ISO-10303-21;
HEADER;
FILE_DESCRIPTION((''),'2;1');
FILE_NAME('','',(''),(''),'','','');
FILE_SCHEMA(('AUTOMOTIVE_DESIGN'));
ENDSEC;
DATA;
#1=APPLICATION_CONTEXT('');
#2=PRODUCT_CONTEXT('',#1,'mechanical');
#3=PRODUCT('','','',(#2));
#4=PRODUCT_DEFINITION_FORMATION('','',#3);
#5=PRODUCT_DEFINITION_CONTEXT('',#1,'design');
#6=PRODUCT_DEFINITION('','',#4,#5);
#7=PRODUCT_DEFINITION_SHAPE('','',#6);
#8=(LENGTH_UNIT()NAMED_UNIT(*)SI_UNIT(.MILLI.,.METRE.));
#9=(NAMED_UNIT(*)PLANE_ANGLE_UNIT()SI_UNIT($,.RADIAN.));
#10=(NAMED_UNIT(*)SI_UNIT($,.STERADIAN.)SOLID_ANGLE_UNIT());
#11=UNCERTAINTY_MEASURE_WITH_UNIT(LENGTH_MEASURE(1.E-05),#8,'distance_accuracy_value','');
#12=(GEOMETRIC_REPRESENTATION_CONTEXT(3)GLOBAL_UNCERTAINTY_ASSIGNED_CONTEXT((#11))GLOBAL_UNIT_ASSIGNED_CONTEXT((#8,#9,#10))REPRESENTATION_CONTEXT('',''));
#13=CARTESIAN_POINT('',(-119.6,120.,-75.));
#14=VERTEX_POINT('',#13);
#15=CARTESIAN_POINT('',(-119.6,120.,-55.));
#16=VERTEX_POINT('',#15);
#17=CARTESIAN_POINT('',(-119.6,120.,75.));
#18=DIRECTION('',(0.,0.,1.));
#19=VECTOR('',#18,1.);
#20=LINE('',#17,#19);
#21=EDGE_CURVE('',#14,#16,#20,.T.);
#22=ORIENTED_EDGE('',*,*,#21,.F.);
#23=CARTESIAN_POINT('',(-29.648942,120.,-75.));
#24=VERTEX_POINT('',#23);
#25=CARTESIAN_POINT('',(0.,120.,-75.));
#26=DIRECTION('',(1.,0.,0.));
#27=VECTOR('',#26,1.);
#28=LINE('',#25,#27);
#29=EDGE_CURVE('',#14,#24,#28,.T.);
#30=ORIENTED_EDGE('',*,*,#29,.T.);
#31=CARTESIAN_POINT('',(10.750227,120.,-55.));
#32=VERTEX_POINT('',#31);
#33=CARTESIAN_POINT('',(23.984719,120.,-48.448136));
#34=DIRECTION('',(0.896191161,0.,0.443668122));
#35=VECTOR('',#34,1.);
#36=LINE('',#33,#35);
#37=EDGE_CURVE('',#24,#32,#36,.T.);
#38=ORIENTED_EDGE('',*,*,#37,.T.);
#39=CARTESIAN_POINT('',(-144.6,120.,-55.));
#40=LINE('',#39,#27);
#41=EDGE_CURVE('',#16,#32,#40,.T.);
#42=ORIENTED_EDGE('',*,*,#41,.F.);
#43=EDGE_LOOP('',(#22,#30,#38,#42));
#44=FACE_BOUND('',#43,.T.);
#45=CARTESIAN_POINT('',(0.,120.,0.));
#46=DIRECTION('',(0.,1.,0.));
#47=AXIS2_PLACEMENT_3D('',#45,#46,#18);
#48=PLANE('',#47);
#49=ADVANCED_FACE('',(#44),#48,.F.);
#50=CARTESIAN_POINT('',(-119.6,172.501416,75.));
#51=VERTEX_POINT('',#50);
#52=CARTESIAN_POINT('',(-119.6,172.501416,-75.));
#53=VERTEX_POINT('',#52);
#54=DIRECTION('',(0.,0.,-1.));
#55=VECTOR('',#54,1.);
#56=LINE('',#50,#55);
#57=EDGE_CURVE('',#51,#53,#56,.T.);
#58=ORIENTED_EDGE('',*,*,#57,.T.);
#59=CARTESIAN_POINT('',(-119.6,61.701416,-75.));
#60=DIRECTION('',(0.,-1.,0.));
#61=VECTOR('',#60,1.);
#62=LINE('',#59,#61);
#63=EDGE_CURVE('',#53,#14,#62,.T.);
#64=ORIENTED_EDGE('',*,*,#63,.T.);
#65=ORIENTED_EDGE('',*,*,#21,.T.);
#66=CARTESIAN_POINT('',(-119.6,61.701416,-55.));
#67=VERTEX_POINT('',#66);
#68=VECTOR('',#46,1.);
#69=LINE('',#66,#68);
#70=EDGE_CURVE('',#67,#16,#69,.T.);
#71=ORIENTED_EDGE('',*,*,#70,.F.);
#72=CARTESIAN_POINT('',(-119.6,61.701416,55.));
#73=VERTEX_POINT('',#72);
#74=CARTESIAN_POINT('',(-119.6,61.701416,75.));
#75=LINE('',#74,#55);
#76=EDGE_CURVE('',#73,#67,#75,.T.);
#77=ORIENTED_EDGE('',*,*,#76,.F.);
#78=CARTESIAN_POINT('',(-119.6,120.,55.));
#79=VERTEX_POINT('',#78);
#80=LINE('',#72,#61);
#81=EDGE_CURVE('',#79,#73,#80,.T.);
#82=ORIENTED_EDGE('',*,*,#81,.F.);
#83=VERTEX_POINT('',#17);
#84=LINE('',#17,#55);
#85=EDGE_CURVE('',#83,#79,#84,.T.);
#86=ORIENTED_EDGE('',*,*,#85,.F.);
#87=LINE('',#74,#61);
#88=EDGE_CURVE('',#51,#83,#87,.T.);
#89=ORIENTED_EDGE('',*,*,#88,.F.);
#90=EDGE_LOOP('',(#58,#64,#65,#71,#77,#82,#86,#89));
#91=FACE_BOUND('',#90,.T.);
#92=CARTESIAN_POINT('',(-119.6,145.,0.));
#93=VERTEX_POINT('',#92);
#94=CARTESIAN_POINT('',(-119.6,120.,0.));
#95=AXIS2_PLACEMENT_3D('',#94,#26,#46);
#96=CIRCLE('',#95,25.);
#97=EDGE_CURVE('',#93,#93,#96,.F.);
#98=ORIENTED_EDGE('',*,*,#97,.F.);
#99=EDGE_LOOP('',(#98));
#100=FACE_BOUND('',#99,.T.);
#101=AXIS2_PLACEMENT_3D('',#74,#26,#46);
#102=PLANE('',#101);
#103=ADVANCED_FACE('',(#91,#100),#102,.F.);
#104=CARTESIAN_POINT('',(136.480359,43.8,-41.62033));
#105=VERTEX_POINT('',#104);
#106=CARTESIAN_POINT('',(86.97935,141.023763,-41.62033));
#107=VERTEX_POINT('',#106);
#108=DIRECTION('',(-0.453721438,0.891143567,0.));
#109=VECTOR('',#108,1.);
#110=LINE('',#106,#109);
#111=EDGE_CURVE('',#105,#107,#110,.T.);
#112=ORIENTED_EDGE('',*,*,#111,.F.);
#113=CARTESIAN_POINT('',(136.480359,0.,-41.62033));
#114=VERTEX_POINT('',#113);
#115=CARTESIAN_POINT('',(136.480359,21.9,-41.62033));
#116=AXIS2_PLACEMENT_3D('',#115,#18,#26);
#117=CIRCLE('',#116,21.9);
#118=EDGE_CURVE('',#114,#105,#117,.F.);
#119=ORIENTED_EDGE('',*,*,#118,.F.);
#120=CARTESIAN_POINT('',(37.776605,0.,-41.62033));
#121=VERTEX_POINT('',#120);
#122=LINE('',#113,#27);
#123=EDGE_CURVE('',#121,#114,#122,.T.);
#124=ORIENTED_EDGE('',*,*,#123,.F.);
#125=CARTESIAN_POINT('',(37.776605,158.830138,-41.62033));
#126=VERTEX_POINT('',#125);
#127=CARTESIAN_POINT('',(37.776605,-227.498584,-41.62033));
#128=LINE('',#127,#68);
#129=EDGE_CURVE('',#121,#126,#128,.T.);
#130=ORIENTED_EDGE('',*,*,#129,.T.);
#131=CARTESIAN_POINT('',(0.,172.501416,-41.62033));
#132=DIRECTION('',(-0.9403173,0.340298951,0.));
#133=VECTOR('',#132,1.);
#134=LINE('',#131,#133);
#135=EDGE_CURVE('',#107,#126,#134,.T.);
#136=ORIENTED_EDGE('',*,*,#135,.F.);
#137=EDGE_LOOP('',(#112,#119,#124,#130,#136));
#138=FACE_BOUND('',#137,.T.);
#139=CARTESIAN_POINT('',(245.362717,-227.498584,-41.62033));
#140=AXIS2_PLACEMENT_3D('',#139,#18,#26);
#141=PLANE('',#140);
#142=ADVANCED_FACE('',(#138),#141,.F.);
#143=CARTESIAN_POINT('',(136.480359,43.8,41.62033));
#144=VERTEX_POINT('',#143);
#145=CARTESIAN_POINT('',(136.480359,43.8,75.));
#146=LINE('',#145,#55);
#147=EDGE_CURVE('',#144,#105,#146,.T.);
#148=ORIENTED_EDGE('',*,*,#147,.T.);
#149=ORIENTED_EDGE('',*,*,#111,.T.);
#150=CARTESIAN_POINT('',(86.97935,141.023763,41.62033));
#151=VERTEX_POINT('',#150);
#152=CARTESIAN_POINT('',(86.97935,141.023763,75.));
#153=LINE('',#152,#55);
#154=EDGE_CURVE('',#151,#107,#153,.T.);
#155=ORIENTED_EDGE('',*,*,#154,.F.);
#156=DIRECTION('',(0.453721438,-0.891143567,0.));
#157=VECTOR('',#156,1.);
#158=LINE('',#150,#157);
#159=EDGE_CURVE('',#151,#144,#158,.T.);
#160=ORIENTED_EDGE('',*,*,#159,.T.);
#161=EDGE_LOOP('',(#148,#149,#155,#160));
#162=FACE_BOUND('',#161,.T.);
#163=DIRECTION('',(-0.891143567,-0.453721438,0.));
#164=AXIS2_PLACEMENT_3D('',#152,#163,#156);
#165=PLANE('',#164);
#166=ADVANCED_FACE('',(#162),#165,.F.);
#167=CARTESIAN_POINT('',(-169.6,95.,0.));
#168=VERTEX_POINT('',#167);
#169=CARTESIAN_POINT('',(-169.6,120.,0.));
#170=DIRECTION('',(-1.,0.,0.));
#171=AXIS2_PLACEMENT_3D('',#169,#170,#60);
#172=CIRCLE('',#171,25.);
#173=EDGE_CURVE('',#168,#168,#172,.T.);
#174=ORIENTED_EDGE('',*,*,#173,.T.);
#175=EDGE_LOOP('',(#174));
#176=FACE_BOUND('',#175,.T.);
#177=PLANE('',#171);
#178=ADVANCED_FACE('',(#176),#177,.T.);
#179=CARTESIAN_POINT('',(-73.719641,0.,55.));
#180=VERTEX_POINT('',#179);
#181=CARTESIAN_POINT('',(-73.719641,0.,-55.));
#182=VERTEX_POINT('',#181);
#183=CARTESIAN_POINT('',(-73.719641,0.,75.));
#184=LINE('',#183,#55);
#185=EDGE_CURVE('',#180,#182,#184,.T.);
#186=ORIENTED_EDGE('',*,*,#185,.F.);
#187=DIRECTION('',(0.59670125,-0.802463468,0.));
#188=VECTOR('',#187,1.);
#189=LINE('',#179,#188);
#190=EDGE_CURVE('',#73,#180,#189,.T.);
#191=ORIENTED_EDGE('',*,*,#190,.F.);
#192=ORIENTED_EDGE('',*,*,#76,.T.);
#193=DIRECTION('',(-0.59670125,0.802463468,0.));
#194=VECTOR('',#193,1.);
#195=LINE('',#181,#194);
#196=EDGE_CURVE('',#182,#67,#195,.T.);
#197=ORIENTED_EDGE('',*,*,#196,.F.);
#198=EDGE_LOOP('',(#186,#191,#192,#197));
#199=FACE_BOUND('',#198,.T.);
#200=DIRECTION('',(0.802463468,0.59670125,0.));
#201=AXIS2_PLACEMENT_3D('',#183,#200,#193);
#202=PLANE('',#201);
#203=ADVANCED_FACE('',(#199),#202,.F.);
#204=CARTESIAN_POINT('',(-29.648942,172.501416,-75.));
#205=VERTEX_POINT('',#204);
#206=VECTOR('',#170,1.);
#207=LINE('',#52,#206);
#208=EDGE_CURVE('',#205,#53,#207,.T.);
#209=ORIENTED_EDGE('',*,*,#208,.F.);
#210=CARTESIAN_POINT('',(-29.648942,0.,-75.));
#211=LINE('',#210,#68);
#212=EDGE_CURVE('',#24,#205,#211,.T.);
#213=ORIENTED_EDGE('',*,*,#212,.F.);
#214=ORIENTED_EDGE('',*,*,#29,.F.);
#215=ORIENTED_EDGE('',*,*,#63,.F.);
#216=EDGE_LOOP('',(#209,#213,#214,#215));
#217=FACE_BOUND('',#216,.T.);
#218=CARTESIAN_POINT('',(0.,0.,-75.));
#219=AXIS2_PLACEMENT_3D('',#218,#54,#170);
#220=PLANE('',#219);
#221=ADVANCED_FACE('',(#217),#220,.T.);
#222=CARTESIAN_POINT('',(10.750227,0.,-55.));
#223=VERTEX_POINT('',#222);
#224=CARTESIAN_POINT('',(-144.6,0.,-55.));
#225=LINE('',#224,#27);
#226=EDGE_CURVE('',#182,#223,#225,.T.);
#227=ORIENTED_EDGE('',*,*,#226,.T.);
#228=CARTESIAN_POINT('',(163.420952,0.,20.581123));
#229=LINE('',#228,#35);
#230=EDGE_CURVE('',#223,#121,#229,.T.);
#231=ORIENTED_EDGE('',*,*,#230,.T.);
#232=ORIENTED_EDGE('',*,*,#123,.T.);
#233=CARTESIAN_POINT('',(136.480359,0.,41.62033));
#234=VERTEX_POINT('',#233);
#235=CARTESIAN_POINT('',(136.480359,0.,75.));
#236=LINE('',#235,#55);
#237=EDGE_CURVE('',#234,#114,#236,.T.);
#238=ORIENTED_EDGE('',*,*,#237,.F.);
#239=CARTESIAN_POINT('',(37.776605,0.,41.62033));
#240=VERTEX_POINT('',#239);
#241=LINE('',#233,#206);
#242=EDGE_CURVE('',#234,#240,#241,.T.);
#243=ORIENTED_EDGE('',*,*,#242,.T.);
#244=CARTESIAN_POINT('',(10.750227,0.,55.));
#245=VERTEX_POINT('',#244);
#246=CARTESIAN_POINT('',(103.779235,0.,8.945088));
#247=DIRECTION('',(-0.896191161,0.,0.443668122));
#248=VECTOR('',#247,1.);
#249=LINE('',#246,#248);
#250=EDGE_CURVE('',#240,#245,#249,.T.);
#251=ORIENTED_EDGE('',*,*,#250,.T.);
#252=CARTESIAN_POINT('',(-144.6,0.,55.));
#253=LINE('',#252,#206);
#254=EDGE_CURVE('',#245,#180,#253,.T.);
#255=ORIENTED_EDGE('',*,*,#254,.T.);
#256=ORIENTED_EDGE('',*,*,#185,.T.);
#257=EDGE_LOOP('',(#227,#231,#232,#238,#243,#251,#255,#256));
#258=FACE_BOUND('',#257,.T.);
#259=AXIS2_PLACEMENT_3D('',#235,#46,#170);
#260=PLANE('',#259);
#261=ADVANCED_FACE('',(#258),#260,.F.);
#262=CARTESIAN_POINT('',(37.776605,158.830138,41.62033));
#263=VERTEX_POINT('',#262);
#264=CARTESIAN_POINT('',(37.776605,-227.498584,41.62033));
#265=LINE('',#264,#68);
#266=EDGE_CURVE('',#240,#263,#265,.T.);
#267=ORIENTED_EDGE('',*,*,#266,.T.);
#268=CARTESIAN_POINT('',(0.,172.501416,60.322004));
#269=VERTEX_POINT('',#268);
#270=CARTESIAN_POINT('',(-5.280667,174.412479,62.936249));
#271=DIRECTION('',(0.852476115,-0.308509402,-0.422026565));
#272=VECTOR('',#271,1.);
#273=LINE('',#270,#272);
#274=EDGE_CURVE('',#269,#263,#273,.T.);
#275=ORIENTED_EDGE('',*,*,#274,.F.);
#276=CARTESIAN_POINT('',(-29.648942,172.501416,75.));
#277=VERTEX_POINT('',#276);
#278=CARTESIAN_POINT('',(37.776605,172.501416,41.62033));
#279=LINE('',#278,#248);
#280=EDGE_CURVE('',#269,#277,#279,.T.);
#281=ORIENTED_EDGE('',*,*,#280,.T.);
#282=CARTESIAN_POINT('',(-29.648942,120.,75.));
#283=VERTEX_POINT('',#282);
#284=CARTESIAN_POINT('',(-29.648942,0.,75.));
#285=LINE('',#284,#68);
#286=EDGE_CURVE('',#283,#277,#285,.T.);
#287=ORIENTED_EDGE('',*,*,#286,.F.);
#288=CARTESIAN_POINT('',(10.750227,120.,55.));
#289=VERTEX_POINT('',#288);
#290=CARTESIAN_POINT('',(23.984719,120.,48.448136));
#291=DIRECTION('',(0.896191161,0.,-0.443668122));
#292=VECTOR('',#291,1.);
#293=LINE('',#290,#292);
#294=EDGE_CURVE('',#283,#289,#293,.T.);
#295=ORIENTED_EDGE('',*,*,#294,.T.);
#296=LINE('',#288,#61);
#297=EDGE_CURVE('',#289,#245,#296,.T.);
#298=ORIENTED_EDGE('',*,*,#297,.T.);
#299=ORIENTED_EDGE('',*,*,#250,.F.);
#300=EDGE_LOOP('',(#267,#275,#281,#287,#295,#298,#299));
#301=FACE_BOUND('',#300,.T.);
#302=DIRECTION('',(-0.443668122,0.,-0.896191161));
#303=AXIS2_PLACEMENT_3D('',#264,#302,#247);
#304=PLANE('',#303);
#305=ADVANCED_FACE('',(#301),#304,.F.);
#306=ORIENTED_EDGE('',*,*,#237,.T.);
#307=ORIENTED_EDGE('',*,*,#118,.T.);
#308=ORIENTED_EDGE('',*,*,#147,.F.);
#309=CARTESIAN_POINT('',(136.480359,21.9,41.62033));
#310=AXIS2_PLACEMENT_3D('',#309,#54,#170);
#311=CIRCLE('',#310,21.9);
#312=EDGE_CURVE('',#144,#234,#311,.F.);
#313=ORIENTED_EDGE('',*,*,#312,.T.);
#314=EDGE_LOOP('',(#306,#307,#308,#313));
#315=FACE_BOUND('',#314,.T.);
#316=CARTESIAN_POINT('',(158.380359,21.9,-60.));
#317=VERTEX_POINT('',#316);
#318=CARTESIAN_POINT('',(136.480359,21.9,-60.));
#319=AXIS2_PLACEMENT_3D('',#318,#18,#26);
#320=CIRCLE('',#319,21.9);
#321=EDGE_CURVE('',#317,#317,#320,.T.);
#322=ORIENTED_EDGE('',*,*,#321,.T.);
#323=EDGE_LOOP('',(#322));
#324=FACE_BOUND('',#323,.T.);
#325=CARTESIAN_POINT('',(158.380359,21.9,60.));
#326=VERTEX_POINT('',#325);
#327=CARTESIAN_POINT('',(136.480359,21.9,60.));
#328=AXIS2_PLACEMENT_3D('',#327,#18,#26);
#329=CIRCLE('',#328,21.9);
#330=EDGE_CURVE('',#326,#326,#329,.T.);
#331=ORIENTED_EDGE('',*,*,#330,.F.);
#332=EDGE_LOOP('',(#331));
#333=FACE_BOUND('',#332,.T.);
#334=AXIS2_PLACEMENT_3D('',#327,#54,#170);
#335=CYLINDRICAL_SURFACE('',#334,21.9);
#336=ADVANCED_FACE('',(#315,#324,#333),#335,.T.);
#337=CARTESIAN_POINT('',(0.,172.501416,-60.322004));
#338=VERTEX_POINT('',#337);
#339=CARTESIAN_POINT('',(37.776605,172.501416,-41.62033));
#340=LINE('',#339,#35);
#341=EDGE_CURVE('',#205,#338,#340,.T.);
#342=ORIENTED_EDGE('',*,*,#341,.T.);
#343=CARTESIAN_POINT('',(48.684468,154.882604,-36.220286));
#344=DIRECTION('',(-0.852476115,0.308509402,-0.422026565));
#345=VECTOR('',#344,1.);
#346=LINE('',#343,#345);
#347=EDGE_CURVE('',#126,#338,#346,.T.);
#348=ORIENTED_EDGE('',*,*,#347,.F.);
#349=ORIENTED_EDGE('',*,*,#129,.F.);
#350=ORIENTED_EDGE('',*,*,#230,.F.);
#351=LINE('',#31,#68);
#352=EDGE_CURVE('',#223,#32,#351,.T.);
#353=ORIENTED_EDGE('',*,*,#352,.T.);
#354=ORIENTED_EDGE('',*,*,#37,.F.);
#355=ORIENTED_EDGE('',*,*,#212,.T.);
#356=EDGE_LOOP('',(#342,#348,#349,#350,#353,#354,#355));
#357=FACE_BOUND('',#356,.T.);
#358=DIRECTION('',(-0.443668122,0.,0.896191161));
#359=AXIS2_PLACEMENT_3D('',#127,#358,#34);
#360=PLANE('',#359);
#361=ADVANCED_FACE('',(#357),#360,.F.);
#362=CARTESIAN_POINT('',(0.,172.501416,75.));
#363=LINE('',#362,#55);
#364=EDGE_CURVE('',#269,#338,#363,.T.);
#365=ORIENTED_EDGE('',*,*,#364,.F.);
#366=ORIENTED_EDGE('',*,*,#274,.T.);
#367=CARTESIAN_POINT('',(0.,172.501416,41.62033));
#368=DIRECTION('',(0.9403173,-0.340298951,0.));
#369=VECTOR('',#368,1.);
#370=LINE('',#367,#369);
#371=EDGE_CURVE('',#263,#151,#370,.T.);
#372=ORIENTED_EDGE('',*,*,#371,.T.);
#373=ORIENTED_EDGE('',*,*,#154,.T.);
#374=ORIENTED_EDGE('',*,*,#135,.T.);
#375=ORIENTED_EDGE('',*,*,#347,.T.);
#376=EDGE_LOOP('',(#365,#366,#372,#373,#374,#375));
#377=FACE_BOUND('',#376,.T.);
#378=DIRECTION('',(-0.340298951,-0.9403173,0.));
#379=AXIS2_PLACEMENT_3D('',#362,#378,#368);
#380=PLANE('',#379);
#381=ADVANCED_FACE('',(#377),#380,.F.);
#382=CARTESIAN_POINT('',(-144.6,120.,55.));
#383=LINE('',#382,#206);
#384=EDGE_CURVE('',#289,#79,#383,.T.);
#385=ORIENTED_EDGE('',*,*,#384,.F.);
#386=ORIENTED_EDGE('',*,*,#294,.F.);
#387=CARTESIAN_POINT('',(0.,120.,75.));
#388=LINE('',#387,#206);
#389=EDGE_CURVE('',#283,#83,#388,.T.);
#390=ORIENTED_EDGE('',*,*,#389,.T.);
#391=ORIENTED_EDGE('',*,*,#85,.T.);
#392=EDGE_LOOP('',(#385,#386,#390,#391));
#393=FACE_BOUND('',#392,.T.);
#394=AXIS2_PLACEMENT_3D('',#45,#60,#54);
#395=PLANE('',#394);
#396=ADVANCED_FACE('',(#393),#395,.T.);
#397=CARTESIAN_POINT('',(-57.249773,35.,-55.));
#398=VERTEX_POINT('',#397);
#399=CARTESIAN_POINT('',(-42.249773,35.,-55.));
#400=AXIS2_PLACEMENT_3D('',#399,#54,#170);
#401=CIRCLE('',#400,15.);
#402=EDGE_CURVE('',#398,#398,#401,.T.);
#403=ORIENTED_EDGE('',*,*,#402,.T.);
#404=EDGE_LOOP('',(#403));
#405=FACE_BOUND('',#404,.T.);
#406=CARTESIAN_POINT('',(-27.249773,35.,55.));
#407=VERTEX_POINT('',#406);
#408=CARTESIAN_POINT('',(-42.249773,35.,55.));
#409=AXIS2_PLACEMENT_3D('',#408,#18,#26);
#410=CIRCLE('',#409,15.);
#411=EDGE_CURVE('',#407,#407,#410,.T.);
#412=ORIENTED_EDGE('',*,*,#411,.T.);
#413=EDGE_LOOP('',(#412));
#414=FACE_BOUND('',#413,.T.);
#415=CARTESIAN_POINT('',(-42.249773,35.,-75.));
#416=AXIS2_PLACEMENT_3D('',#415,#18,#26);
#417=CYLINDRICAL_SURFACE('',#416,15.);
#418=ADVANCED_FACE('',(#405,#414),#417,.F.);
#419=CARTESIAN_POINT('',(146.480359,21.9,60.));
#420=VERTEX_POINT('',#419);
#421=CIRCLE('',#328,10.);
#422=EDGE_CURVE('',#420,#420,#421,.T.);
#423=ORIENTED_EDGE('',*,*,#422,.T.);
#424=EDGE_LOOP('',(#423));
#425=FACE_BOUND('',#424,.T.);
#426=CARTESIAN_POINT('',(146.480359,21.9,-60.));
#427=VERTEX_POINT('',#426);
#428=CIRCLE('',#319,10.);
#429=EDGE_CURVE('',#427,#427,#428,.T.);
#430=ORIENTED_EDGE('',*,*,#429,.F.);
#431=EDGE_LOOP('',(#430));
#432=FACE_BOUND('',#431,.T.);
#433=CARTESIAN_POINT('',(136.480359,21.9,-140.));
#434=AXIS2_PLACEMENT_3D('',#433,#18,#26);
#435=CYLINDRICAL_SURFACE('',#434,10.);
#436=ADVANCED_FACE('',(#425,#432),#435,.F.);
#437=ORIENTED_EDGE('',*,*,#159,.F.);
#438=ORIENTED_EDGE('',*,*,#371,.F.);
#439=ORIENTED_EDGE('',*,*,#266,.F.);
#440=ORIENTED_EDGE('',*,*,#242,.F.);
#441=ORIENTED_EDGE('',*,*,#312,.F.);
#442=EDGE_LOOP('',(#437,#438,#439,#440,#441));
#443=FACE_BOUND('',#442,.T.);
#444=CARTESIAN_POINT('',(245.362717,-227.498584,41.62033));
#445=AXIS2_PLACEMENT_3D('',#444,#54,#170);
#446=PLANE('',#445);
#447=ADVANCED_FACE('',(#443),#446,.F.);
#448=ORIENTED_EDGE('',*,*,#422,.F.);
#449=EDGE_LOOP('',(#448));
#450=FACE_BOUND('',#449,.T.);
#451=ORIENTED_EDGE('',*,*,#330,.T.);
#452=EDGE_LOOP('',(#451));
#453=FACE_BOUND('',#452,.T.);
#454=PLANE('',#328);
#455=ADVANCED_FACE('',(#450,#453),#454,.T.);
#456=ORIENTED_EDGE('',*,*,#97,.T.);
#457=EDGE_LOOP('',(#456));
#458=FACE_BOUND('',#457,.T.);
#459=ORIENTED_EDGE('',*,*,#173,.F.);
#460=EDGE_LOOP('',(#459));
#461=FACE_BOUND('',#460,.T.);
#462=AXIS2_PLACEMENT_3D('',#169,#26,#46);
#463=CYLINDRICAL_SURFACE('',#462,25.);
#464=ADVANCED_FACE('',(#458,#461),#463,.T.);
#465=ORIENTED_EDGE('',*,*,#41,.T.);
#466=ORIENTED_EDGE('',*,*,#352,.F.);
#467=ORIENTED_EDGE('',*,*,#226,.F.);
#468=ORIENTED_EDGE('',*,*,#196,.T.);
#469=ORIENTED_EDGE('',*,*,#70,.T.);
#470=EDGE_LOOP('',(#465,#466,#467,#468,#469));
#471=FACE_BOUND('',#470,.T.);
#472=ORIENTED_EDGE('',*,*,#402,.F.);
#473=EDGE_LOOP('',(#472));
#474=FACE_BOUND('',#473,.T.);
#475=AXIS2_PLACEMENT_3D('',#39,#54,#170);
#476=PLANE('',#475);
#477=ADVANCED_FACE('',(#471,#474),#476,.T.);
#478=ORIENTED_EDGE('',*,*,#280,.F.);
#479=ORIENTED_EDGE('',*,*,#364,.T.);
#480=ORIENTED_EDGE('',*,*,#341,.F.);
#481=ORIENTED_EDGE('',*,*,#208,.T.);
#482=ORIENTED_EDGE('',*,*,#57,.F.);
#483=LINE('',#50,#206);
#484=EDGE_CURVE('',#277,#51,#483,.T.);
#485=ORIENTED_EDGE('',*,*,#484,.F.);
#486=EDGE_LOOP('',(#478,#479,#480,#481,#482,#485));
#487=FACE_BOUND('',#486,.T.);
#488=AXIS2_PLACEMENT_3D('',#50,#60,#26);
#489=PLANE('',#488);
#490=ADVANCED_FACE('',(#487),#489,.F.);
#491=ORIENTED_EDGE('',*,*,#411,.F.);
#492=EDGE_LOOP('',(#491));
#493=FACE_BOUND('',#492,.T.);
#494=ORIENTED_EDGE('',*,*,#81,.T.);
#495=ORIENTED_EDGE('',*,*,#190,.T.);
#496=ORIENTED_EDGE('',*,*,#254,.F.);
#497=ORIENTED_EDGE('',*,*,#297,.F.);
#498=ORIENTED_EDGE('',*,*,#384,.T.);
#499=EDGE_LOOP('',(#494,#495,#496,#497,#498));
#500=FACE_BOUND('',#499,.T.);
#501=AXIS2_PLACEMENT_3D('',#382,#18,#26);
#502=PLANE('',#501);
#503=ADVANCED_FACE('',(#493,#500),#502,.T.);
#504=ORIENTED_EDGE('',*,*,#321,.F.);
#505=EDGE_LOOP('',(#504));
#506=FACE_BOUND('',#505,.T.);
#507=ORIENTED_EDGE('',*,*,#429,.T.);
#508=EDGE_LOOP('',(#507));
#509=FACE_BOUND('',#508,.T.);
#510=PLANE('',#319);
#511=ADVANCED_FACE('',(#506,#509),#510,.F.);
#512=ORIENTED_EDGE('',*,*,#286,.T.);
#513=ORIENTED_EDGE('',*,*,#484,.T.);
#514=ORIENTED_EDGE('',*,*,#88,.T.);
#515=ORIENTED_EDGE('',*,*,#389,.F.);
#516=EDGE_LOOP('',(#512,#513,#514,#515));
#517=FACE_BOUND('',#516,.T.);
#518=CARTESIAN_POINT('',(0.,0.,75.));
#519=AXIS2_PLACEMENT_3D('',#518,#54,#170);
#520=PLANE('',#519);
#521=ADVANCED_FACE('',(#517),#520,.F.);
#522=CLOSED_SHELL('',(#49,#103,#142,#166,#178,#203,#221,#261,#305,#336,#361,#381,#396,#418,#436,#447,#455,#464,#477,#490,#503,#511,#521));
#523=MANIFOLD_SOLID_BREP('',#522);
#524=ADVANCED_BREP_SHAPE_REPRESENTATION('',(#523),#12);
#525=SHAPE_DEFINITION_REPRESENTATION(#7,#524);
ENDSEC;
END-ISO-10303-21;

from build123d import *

# Parameters (mm, degrees)
EXTRUDE_1_DEPTH          = 75
SKETCH_2_W               = 185.8
SKETCH_2_H               = 57.3
CUT_EXTRUDE_2_DEPTH      = 120
CUT_EXTRUDE_3_DEPTH      = 400
SKETCH_5_R               = 21.9
EXTRUDE_2_DEPTH          = 60
SKETCH_6_R               = 10
CUT_EXTRUDE_4_DEPTH      = 200
SKETCH_8_R               = 15
CUT_EXTRUDE_5_DEPTH      = 21
CUT_EXTRUDE_5_DEPTH_BACK = 131
SKETCH_9_R               = 25
EXTRUDE_3_DEPTH          = 50


with BuildPart() as part:
    # 草图1 → 凸台-拉伸1 (new body, symmetric)
    with BuildSketch(Plane.XY):
        Polygon((-119.6, 172.501416068), (0, 172.501416068), (86.979350222, 141.023763122), (136.480359145, 43.8), (136.480359145, 0), (-73.719640855, 0), (-119.6, 61.701416068), align=None)
    extrude(amount=EXTRUDE_1_DEPTH, both=True)

    # 草图2 → 切除-拉伸2 (cut)
    with BuildSketch(Plane(origin=(0, 0, 0), x_dir=(1, 0, 0), z_dir=(0, 1, 0))):
        with Locations((-51.7, 83.65)):
            Rectangle(SKETCH_2_W, SKETCH_2_H)
        with Locations((-51.7, -83.65)):
            Rectangle(SKETCH_2_W, SKETCH_2_H)
    extrude(amount=CUT_EXTRUDE_2_DEPTH, mode=Mode.SUBTRACT)

    # 草图3 → 切除-拉伸3 (cut)
    with BuildSketch(Plane(origin=(0, 172.501416068, 0), x_dir=(1, 0, 0), z_dir=(0, 1, 0))):
        Polygon((-64.837283081, 92.42032951), (245.362716919, 92.42032951), (245.362716919, 41.62032951), (37.776604868, 41.62032951), align=None)
        Polygon((37.776604868, -41.62032951), (-64.837283081, -92.42032951), (245.362716919, -92.42032951), (245.362716919, -41.62032951), align=None)
    extrude(amount=-CUT_EXTRUDE_3_DEPTH, mode=Mode.SUBTRACT)

    # 草图5 → 凸台-拉伸2 (add, symmetric)
    with BuildSketch(Plane.XY):
        with Locations((136.480359145, 21.9)):
            Circle(SKETCH_5_R)
    extrude(amount=EXTRUDE_2_DEPTH, both=True)

    # 草图6 → 切除-拉伸4 (cut)
    with BuildSketch(Plane.XY.offset(60)):
        with Locations((136.480359145, 21.9)):
            Circle(SKETCH_6_R)
    extrude(amount=-CUT_EXTRUDE_4_DEPTH, mode=Mode.SUBTRACT)

    # 草图8 → 切除-拉伸5 (cut, two sides)
    with BuildSketch(Plane.XY.offset(55)) as cut_extrude_5_sk:
        with Locations((-42.249773251, 35)):
            Circle(SKETCH_8_R)
    extrude(amount=CUT_EXTRUDE_5_DEPTH, mode=Mode.SUBTRACT)
    extrude(cut_extrude_5_sk.sketch, amount=-CUT_EXTRUDE_5_DEPTH_BACK, mode=Mode.SUBTRACT)

    # 草图9 → 凸台-拉伸3 (add)
    with BuildSketch(Plane.ZY.offset(119.6)):
        with Locations((0, 120)):
            Circle(SKETCH_9_R)
    extrude(amount=EXTRUDE_3_DEPTH)


solid = part.part
